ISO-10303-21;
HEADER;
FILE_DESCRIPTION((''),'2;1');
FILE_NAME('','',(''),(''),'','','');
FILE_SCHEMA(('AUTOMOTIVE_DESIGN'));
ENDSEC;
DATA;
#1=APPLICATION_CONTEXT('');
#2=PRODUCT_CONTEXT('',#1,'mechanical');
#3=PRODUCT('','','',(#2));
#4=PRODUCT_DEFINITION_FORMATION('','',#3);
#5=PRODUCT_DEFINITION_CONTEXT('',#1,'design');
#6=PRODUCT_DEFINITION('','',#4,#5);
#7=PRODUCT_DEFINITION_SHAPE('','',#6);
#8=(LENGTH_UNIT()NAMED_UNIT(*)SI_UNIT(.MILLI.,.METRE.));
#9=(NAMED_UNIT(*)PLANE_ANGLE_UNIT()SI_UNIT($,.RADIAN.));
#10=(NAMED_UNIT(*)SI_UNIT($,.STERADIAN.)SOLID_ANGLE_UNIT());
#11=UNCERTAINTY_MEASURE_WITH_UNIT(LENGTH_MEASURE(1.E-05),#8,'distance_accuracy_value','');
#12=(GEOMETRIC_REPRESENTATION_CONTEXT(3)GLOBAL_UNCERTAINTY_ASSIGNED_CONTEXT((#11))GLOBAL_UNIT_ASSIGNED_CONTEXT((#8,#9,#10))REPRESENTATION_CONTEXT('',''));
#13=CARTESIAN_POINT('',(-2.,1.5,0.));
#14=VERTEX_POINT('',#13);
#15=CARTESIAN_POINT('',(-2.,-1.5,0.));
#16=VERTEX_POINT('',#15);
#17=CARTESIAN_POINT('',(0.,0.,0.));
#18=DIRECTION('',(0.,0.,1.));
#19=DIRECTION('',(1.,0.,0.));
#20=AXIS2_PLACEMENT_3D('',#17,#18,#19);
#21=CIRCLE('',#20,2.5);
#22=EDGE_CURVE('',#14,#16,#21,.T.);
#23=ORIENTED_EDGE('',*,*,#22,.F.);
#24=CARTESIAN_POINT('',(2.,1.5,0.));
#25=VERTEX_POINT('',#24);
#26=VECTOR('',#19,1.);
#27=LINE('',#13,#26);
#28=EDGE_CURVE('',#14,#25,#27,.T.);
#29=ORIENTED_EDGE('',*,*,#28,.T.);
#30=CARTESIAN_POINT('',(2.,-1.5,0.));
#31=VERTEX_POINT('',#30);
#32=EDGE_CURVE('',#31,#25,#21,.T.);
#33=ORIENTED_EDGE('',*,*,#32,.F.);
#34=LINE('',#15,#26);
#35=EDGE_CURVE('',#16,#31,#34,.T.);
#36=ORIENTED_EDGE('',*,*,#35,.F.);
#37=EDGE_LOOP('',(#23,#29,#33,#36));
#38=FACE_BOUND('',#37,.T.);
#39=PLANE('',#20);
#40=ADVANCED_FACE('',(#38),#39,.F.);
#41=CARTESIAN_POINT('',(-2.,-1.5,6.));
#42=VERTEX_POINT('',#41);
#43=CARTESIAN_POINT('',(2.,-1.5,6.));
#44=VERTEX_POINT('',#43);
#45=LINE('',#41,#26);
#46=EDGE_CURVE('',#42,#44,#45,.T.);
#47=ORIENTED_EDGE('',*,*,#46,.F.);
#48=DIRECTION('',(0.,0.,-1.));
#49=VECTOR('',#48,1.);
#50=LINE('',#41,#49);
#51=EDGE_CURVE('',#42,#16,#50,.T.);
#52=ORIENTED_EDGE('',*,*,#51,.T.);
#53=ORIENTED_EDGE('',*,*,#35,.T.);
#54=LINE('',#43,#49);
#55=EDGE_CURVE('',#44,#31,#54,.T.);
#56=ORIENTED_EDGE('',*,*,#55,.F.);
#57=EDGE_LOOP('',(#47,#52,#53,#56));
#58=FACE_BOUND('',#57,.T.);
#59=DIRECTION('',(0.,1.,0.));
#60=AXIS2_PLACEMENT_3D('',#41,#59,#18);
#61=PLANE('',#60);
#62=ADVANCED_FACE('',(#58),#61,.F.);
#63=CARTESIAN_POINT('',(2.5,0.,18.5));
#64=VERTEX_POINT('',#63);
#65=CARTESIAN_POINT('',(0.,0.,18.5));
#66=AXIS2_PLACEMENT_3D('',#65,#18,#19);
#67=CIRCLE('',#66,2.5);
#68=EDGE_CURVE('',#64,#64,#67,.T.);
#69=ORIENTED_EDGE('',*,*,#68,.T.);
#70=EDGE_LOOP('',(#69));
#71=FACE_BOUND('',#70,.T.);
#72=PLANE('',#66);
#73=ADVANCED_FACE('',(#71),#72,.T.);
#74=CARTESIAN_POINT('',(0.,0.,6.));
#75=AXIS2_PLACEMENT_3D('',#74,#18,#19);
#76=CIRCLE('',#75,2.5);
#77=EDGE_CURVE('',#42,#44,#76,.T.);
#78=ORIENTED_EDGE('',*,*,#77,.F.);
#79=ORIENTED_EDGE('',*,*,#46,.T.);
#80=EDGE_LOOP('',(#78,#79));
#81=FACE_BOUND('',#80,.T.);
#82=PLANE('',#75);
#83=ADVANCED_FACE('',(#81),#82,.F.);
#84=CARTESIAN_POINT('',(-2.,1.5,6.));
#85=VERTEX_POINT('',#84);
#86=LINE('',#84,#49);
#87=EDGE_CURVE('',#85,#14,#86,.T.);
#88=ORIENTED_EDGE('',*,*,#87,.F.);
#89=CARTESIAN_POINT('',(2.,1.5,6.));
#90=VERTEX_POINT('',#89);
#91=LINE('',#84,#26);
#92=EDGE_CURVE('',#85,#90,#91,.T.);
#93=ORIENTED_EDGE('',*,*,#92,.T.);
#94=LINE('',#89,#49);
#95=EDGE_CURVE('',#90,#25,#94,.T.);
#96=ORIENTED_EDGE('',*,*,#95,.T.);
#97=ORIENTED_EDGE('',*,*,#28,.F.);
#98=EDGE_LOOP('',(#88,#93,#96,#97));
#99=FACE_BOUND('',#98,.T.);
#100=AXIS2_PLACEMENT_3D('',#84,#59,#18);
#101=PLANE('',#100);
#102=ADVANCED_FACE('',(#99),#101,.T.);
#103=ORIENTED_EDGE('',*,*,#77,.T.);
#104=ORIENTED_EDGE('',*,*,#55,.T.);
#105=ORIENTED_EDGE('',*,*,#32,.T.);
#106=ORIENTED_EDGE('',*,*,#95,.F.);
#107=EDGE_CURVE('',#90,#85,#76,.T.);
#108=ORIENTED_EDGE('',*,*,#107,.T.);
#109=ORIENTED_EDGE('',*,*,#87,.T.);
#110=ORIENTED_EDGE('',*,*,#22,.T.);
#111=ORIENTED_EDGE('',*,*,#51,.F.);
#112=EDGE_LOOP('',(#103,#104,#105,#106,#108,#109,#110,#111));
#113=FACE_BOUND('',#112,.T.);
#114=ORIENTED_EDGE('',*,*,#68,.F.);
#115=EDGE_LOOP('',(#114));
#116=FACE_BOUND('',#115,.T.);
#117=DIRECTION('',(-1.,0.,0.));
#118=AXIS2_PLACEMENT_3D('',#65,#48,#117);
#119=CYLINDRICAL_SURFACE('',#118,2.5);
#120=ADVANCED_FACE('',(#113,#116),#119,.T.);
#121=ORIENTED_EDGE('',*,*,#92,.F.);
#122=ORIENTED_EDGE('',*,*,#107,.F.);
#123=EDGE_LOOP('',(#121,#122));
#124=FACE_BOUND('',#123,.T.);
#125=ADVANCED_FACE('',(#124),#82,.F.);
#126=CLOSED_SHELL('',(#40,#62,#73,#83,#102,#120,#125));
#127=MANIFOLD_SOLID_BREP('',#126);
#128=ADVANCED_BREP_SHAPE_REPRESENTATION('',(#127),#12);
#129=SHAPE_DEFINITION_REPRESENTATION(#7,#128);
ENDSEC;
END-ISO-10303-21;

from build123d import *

# Parameters (mm, degrees)
ESQUISSE1_R             = 2.5
BOSS_EXTRU_1_DEPTH      = 18.5
ENL_V_MAT_EXTRU_1_DEPTH = 6


with BuildPart() as part:
    # Esquisse1 → Boss.-Extru.1 (new body)
    with BuildSketch(Plane.XY):
        Circle(ESQUISSE1_R)
    extrude(amount=BOSS_EXTRU_1_DEPTH)

    # Esquisse2 → Enlèv. mat.-Extru.1 (cut)
    with BuildSketch(Plane.XY):
        with BuildLine():
            Line((-2, 1.5), (2, 1.5))
            ThreePointArc((2, 1.5), (0, 2.5), (-2, 1.5))
        make_face()
        with BuildLine():
            Line((-2, -1.5), (2, -1.5))
            ThreePointArc((2, -1.5), (0, -2.5), (-2, -1.5))
        make_face()
    extrude(amount=ENL_V_MAT_EXTRU_1_DEPTH, mode=Mode.SUBTRACT)


solid = part.part
